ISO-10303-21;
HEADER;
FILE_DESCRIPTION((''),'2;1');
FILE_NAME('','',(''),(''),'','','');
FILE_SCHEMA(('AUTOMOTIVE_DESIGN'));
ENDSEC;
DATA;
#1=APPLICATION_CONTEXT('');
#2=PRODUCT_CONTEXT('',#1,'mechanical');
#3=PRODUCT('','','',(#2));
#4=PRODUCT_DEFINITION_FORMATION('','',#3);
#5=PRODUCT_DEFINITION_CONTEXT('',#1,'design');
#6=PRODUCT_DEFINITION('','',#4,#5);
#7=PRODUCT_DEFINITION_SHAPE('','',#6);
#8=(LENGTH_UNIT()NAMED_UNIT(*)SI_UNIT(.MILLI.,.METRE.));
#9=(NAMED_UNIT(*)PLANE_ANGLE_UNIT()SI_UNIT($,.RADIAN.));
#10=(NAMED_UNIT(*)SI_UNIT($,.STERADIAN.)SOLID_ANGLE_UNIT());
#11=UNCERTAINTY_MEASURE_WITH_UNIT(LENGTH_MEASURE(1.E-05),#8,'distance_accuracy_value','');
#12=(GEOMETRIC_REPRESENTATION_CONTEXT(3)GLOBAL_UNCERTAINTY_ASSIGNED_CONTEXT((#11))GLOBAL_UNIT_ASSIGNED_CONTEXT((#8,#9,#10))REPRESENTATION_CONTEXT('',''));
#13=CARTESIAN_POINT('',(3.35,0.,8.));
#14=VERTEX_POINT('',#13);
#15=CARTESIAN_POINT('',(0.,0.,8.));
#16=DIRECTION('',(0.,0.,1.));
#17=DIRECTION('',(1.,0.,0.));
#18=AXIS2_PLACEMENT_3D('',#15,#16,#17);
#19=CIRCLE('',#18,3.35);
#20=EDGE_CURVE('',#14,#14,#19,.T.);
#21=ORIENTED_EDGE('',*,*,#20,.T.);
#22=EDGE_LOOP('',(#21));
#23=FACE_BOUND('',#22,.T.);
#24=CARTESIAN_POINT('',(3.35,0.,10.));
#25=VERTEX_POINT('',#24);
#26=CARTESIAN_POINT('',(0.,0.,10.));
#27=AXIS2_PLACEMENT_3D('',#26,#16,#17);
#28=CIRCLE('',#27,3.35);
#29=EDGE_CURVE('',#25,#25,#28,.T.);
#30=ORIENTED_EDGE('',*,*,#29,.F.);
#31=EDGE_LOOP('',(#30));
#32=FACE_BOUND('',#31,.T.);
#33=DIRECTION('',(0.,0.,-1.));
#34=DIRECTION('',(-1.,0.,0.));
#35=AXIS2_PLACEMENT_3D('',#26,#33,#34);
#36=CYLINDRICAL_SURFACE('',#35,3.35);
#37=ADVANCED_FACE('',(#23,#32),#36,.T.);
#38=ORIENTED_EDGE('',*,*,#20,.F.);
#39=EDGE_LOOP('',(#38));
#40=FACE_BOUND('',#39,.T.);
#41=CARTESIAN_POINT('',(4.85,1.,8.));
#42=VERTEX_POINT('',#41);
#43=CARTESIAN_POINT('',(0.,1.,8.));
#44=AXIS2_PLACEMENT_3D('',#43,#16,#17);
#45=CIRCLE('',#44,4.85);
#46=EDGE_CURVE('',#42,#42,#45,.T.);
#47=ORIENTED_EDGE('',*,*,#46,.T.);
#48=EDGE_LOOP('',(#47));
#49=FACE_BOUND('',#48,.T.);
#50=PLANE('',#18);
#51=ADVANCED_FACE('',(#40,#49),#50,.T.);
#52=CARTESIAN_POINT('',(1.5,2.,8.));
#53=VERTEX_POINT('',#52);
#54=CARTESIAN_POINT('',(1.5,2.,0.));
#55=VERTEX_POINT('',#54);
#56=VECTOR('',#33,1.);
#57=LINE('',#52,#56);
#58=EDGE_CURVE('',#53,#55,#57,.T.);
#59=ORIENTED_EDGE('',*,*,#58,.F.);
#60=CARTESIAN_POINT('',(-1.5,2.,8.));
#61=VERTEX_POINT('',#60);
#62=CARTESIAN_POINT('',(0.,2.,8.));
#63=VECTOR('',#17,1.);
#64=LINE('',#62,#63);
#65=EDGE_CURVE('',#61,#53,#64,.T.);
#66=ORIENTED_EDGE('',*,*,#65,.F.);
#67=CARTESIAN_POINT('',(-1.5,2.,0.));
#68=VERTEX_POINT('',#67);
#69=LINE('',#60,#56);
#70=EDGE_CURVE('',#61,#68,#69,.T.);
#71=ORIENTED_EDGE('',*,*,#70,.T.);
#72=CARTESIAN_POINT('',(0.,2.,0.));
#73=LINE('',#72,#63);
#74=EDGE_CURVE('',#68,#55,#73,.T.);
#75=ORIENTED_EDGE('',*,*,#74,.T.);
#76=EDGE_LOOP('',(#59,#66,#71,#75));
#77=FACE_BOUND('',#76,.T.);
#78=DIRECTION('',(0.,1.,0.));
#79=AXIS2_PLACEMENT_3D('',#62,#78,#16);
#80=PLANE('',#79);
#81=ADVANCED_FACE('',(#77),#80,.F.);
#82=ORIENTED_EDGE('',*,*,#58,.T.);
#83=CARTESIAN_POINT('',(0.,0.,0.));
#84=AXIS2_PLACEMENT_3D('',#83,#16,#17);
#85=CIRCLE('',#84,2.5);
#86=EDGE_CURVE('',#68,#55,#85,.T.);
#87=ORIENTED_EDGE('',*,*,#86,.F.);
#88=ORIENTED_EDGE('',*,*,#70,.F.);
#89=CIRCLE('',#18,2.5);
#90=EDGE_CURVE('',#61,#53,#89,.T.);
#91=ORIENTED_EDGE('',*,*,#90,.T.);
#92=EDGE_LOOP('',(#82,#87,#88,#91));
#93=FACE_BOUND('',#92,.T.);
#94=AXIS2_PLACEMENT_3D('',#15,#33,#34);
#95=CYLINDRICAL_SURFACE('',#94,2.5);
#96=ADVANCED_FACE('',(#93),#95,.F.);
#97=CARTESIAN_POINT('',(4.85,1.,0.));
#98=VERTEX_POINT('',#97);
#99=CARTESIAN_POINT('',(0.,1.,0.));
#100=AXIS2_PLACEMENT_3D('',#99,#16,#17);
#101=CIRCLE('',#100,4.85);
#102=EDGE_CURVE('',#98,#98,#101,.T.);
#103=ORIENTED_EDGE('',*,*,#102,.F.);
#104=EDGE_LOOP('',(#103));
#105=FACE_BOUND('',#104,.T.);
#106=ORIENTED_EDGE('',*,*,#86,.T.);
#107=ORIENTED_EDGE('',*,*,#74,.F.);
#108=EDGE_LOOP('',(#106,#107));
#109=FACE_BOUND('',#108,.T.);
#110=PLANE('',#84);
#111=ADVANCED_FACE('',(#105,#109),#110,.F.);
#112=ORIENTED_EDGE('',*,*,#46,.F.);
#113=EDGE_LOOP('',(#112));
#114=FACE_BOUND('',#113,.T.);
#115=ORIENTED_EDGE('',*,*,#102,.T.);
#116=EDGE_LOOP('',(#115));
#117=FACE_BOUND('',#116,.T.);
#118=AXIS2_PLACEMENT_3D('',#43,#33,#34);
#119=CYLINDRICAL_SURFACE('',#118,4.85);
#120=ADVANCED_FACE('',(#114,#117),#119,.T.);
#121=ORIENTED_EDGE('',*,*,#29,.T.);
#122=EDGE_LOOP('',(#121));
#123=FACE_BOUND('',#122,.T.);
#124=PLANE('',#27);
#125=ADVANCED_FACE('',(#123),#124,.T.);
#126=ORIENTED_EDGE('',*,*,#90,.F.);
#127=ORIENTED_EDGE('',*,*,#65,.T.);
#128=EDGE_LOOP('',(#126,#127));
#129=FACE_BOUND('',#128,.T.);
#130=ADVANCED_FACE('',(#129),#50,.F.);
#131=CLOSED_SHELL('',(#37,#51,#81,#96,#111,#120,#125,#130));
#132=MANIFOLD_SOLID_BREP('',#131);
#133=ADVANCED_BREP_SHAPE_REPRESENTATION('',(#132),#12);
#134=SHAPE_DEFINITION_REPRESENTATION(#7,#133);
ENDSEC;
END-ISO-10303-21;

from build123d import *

# Parameters (mm, degrees)
ESQUISSE1_R        = 4.85
BOSS_EXTRU_1_DEPTH = 8
ESQUISSE2_R        = 3.35
BOSS_EXTRU_2_DEPTH = 2


with BuildPart() as part:
    # Esquisse1 → Boss.-Extru.1 (new body)
    with BuildSketch(Plane.XY):
        with Locations((0, 1)):
            Circle(ESQUISSE1_R)
        with BuildLine():
            Line((-1.5, 2), (1.5, 2))
            ThreePointArc((1.5, 2), (0, -2.5), (-1.5, 2))
        make_face(mode=Mode.SUBTRACT)
    extrude(amount=BOSS_EXTRU_1_DEPTH)

    # Esquisse2 → Boss.-Extru.2 (add)
    with BuildSketch(Plane.XY.offset(8)):
        Circle(ESQUISSE2_R)
    extrude(amount=BOSS_EXTRU_2_DEPTH)


solid = part.part
